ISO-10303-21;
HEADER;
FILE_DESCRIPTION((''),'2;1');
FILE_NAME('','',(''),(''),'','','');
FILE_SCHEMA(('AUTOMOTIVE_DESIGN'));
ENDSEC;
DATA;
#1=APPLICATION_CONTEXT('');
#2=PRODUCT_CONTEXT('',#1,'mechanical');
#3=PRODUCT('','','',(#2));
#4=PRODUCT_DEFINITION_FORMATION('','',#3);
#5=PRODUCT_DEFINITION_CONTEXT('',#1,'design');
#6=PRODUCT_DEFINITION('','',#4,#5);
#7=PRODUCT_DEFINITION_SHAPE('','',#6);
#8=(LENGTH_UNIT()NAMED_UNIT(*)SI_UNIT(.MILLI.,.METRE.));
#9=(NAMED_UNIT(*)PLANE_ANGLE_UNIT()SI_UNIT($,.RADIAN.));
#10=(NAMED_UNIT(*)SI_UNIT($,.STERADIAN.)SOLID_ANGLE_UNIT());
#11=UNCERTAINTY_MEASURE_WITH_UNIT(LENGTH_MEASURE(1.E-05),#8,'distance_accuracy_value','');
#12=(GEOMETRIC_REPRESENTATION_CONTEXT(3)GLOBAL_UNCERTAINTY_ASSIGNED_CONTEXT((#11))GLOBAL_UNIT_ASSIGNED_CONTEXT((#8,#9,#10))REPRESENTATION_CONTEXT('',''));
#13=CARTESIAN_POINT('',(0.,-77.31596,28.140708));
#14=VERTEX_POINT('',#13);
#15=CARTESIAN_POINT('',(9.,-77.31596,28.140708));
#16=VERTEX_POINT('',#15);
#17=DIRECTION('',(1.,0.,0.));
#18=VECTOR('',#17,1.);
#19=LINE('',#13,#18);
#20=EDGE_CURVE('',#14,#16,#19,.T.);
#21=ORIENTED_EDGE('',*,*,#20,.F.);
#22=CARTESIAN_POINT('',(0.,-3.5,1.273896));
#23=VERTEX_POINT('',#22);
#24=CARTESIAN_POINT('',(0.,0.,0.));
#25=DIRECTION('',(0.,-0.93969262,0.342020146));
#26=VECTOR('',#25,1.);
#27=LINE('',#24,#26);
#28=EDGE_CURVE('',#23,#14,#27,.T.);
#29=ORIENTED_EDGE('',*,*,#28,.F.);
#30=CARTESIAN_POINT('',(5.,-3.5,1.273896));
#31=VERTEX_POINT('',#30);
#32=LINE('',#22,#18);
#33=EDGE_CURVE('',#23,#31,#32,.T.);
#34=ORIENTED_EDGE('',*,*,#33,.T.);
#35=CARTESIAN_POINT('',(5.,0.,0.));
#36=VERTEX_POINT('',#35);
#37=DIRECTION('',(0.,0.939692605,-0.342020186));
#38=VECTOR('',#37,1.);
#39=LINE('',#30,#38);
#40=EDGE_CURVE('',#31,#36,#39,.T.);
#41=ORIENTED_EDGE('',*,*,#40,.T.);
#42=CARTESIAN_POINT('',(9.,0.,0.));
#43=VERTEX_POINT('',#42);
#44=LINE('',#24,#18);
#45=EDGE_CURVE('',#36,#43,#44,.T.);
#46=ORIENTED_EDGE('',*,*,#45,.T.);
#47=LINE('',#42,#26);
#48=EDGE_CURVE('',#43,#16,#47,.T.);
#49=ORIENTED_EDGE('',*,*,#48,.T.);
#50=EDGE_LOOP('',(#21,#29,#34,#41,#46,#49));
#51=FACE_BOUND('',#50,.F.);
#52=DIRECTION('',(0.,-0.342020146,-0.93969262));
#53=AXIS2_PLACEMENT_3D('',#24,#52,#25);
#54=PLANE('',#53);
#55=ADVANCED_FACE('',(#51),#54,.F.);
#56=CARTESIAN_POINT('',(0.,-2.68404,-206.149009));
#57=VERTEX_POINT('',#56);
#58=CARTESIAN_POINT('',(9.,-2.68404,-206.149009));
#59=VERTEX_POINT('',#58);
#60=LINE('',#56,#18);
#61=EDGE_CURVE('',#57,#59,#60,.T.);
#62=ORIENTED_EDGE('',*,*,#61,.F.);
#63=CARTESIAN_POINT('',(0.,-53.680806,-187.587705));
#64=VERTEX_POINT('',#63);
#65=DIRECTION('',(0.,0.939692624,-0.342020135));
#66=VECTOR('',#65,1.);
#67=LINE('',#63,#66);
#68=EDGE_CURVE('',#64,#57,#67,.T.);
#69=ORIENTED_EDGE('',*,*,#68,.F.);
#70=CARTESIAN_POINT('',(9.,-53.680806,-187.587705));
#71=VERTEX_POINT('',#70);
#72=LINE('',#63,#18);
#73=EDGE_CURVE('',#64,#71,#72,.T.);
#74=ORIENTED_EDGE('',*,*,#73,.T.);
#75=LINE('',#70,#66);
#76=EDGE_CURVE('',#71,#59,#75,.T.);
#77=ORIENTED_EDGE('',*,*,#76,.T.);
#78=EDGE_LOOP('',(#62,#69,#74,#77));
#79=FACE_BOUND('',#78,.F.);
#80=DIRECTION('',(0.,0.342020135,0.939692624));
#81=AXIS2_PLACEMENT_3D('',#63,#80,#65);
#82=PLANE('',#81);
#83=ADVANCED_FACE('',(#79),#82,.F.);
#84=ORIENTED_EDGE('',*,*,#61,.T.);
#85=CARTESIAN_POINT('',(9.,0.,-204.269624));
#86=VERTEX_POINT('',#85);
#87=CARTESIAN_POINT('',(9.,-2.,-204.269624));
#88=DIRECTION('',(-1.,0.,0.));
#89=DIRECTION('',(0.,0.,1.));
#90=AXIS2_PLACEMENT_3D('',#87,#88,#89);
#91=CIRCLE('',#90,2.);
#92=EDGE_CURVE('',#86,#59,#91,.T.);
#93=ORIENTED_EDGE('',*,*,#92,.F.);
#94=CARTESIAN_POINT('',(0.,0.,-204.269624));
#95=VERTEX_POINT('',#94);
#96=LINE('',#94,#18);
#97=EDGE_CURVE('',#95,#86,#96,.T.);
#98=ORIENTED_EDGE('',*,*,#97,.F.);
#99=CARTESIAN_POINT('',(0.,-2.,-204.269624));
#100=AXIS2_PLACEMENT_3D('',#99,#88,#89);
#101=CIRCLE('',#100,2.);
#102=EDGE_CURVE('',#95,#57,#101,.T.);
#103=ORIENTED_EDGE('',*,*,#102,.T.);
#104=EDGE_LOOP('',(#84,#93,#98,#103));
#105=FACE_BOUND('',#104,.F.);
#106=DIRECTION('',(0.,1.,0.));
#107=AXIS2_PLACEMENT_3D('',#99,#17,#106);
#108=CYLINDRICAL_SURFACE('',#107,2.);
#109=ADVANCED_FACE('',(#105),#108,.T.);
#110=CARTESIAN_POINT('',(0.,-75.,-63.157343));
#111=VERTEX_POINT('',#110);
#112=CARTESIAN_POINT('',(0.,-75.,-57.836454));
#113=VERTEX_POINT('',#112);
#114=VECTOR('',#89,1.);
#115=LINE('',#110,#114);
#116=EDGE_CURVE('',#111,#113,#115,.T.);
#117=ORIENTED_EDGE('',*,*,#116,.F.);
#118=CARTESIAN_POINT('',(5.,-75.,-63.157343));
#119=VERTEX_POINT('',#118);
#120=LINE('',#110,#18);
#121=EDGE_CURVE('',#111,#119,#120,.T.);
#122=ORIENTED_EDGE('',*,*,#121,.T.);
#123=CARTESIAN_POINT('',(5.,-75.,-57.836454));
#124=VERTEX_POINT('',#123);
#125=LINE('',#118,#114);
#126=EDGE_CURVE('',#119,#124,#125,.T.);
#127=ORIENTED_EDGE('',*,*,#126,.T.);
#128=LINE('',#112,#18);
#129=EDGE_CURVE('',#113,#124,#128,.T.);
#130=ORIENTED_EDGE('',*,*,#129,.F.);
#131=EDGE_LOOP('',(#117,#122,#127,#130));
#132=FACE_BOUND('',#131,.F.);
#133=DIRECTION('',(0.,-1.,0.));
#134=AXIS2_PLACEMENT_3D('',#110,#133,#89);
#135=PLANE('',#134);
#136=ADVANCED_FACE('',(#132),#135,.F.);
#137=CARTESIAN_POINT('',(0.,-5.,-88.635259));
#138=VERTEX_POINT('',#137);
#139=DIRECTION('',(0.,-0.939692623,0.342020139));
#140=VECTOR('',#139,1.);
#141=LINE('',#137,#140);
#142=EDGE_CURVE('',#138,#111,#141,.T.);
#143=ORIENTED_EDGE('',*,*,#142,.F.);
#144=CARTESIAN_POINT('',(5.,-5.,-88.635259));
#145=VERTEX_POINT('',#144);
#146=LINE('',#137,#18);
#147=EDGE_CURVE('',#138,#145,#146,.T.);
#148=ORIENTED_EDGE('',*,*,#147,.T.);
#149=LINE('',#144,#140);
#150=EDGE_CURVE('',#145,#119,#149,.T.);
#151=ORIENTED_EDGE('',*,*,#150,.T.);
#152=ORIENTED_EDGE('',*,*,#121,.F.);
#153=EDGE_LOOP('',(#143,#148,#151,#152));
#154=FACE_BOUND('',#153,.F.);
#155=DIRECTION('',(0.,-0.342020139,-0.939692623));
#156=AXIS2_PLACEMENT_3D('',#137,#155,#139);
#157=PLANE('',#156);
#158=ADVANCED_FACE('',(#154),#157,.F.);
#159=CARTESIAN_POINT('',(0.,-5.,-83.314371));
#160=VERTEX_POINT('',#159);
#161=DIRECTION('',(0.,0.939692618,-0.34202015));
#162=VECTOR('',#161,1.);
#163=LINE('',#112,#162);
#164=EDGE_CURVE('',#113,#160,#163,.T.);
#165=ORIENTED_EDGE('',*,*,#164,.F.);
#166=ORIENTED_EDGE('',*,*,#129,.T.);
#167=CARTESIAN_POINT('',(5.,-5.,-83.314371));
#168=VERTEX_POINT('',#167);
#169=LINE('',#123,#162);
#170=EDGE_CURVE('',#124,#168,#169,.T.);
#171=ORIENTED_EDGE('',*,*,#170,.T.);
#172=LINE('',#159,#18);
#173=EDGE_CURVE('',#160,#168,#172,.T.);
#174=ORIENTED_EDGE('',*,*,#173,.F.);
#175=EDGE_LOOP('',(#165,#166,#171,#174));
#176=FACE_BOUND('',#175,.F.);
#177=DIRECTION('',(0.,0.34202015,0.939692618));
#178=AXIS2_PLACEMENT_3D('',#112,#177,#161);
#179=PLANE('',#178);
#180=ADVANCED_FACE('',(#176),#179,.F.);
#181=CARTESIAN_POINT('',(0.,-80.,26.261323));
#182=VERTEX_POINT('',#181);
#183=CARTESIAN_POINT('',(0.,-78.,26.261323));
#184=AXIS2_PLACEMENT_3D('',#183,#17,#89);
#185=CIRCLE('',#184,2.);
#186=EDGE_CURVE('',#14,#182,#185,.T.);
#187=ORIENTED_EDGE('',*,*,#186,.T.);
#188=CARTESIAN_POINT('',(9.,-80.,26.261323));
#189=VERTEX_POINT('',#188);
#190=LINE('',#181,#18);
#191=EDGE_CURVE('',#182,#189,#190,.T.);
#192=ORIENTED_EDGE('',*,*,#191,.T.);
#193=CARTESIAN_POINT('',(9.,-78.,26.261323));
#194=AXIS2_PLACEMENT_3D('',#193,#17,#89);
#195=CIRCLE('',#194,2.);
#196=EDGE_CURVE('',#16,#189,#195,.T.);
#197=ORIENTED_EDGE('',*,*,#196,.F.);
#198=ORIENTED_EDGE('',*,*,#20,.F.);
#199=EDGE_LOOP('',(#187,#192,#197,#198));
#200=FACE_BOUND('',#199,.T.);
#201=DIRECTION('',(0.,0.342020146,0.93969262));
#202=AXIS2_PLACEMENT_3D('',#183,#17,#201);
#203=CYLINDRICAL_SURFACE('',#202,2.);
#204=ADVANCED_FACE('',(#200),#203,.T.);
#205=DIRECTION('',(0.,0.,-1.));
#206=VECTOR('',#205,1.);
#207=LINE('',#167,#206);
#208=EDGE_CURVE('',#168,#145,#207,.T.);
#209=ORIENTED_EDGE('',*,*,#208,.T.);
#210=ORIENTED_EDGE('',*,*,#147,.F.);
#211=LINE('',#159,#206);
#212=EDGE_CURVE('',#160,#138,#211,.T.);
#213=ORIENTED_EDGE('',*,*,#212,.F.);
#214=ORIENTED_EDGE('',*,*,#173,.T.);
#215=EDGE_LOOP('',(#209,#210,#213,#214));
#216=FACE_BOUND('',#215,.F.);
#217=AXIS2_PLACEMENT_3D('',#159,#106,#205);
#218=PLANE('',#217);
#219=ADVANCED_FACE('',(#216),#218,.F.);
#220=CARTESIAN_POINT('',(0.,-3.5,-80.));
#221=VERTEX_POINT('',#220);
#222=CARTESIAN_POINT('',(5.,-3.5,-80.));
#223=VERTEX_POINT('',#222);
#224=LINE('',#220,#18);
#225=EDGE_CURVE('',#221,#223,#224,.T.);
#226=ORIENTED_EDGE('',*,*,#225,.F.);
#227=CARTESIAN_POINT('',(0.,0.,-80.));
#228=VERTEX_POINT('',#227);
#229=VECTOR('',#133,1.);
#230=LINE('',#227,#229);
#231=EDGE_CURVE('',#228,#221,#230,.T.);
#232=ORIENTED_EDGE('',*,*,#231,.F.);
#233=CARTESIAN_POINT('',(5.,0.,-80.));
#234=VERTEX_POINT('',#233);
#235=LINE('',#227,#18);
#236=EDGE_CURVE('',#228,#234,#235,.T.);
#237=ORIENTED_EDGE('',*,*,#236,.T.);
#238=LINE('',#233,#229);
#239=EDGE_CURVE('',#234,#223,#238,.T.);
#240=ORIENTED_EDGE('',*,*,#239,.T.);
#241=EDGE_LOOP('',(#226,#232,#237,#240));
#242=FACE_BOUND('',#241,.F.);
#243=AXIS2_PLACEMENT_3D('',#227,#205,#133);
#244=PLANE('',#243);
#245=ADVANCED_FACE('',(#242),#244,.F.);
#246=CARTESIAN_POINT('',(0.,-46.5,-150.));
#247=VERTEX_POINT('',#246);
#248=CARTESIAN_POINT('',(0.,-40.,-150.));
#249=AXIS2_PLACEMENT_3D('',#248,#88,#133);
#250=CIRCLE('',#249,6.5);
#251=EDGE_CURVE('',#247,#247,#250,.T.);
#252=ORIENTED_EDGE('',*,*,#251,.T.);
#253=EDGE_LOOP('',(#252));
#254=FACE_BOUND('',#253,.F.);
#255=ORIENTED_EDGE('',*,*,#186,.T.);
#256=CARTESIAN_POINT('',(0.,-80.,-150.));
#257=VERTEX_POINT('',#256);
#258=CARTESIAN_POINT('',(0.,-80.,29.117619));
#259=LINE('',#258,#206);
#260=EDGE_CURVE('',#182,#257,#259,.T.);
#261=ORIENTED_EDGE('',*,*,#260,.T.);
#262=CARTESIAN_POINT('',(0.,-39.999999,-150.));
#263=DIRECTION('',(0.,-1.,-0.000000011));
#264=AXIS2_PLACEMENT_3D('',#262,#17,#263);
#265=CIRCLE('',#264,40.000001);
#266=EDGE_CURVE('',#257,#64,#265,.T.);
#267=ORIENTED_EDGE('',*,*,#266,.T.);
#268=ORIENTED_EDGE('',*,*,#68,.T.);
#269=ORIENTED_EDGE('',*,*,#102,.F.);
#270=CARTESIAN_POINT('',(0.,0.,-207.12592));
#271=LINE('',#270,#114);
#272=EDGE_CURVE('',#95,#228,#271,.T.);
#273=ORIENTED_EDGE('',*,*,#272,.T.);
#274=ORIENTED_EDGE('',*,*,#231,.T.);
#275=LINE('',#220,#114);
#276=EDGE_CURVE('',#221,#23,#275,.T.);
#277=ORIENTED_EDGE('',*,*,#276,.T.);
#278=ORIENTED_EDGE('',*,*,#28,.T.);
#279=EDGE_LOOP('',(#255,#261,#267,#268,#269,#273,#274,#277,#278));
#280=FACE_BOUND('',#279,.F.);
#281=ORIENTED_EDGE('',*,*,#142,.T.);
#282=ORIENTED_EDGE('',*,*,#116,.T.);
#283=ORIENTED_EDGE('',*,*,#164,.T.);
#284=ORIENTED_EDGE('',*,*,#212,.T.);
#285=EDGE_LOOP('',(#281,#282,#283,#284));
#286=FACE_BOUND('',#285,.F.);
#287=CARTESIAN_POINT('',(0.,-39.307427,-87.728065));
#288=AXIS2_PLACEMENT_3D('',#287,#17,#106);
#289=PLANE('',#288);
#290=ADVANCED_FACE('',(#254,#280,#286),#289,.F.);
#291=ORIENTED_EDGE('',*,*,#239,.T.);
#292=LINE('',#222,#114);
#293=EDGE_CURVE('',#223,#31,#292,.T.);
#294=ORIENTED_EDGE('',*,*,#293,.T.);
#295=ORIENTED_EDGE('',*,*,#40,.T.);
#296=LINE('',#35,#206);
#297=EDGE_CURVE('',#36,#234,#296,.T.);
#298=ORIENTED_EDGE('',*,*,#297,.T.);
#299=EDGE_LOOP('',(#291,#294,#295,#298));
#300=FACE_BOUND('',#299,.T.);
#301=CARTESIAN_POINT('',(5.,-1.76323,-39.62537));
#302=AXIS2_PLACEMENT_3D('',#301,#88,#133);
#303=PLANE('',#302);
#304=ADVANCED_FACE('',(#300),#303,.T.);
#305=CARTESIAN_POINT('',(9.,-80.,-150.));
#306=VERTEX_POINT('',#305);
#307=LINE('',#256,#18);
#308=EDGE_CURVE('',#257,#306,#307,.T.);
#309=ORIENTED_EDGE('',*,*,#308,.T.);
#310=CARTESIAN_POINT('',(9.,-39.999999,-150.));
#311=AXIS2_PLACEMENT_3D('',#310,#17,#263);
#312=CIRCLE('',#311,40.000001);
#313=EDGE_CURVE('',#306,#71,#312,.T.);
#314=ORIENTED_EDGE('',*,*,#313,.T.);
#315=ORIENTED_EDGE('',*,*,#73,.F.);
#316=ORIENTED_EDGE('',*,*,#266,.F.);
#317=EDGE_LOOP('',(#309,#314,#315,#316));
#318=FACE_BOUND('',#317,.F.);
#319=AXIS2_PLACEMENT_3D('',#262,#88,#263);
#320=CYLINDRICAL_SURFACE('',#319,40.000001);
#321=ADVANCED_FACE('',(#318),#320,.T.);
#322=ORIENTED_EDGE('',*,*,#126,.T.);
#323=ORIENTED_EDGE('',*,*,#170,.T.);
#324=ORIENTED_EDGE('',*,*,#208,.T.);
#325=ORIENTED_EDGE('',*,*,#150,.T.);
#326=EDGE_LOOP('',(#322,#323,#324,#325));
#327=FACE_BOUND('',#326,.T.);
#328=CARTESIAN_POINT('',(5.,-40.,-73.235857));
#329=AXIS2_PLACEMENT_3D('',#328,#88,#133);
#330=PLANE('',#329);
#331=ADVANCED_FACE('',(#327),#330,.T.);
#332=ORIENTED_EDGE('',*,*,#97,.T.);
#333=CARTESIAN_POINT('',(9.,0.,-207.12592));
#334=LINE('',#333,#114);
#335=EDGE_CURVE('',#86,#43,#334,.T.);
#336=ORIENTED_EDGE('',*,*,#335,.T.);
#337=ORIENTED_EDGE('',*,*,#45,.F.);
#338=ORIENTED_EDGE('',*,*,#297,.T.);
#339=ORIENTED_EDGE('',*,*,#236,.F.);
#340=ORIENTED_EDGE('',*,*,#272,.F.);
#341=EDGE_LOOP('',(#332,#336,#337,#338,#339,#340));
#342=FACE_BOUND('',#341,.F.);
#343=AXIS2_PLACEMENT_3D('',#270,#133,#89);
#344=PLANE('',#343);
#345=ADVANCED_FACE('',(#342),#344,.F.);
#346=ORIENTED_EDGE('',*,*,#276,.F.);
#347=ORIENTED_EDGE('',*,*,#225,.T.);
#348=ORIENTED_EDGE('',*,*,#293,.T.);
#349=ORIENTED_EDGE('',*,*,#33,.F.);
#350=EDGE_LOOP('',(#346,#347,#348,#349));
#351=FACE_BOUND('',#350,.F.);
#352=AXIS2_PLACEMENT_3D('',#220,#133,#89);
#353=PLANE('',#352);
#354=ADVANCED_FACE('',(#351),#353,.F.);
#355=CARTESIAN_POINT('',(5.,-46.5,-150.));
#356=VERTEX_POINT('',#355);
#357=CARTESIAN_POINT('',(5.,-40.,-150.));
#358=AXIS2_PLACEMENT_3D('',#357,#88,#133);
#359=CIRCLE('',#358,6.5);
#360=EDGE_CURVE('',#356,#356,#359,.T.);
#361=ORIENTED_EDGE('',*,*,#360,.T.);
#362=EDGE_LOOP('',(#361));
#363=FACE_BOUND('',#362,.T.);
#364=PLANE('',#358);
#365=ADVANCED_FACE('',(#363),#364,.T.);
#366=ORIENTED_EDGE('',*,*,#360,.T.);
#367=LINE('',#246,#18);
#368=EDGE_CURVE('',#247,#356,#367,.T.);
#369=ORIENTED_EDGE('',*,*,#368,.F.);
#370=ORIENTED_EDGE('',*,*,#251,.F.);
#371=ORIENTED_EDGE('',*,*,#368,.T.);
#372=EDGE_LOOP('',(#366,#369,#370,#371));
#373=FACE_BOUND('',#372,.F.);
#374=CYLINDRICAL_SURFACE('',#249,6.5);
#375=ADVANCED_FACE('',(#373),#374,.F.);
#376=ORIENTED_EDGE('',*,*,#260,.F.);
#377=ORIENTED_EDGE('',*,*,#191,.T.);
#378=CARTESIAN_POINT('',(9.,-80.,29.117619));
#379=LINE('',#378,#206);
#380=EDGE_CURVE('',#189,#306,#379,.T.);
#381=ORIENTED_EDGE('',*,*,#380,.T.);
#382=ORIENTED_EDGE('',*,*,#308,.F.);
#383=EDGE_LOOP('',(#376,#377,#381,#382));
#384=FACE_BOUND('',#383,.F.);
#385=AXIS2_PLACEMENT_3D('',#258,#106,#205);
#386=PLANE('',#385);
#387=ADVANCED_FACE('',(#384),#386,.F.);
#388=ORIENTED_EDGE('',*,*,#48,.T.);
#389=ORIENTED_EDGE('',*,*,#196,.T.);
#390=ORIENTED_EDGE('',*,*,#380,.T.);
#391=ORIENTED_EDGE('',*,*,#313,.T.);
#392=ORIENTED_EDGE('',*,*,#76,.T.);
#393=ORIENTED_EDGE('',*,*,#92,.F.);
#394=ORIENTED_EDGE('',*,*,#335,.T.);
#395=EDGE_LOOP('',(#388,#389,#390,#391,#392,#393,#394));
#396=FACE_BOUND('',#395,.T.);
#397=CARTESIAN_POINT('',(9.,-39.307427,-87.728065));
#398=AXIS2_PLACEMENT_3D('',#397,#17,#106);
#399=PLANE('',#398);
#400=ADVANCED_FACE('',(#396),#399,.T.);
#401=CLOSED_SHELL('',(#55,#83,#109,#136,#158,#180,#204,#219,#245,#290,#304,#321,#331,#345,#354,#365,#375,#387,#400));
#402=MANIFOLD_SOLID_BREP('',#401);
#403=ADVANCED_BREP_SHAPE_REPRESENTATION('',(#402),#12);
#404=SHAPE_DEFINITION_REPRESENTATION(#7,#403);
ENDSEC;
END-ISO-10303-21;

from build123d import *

# Parameters (mm, degrees)
F1_DEPTH = 9
F2_R     = 6.5
F3_DEPTH = 5
F5_DEPTH = 5
F6_R     = 2
F8_DEPTH = 5


with BuildPart() as f1:
    # F0 (on Right) → F1 (new body)
    with BuildSketch(Plane.YZ):
        with BuildLine():
            Line((0, -207.12592), (0, 0))
            Line((0, 0), (-80, 29.117619))
            Line((-80, 29.117619), (-80, -150))
            ThreePointArc((-80, -150), (-72.766082, -172.943057), (-53.680806, -187.587705))
            Line((-53.680806, -187.587705), (0, -207.12592))
        make_face()
    extrude(amount=F1_DEPTH)

    # F2 (on face) → F3 (cut)
    with BuildSketch(Plane(origin=(0, 0, 0), x_dir=(0, -1, 0), z_dir=(-1, 0, 0))):
        with Locations((40, -150)):
            Circle(F2_R)
    extrude(amount=-F3_DEPTH, mode=Mode.SUBTRACT)

    # F4 (on face) → F5 (cut)
    with BuildSketch(Plane(origin=(0, 0, 0), x_dir=(0, -1, 0), z_dir=(-1, 0, 0))):
        Polygon((75, -57.836454), (5, -83.314371), (5, -88.635259), (75, -63.157343), align=None)
    extrude(amount=-F5_DEPTH, mode=Mode.SUBTRACT)

    # F6
    f6_edges = [f1.edges().sort_by_distance(p)[0] for p in [
        (4.5, 0, -207.12592),
        (4.5, -80, 29.117619),
    ]]
    fillet(f6_edges, radius=F6_R)

    # F7 (on face) → F8 (cut)
    with BuildSketch(Plane(origin=(0, 0, 0), x_dir=(0, -1, 0), z_dir=(-1, 0, 0))):
        Polygon((3.5, -80), (3.5, 1.273896), (0, 0), (0, -80), align=None)
    extrude(amount=-F8_DEPTH, mode=Mode.SUBTRACT)


solid = f1.part
